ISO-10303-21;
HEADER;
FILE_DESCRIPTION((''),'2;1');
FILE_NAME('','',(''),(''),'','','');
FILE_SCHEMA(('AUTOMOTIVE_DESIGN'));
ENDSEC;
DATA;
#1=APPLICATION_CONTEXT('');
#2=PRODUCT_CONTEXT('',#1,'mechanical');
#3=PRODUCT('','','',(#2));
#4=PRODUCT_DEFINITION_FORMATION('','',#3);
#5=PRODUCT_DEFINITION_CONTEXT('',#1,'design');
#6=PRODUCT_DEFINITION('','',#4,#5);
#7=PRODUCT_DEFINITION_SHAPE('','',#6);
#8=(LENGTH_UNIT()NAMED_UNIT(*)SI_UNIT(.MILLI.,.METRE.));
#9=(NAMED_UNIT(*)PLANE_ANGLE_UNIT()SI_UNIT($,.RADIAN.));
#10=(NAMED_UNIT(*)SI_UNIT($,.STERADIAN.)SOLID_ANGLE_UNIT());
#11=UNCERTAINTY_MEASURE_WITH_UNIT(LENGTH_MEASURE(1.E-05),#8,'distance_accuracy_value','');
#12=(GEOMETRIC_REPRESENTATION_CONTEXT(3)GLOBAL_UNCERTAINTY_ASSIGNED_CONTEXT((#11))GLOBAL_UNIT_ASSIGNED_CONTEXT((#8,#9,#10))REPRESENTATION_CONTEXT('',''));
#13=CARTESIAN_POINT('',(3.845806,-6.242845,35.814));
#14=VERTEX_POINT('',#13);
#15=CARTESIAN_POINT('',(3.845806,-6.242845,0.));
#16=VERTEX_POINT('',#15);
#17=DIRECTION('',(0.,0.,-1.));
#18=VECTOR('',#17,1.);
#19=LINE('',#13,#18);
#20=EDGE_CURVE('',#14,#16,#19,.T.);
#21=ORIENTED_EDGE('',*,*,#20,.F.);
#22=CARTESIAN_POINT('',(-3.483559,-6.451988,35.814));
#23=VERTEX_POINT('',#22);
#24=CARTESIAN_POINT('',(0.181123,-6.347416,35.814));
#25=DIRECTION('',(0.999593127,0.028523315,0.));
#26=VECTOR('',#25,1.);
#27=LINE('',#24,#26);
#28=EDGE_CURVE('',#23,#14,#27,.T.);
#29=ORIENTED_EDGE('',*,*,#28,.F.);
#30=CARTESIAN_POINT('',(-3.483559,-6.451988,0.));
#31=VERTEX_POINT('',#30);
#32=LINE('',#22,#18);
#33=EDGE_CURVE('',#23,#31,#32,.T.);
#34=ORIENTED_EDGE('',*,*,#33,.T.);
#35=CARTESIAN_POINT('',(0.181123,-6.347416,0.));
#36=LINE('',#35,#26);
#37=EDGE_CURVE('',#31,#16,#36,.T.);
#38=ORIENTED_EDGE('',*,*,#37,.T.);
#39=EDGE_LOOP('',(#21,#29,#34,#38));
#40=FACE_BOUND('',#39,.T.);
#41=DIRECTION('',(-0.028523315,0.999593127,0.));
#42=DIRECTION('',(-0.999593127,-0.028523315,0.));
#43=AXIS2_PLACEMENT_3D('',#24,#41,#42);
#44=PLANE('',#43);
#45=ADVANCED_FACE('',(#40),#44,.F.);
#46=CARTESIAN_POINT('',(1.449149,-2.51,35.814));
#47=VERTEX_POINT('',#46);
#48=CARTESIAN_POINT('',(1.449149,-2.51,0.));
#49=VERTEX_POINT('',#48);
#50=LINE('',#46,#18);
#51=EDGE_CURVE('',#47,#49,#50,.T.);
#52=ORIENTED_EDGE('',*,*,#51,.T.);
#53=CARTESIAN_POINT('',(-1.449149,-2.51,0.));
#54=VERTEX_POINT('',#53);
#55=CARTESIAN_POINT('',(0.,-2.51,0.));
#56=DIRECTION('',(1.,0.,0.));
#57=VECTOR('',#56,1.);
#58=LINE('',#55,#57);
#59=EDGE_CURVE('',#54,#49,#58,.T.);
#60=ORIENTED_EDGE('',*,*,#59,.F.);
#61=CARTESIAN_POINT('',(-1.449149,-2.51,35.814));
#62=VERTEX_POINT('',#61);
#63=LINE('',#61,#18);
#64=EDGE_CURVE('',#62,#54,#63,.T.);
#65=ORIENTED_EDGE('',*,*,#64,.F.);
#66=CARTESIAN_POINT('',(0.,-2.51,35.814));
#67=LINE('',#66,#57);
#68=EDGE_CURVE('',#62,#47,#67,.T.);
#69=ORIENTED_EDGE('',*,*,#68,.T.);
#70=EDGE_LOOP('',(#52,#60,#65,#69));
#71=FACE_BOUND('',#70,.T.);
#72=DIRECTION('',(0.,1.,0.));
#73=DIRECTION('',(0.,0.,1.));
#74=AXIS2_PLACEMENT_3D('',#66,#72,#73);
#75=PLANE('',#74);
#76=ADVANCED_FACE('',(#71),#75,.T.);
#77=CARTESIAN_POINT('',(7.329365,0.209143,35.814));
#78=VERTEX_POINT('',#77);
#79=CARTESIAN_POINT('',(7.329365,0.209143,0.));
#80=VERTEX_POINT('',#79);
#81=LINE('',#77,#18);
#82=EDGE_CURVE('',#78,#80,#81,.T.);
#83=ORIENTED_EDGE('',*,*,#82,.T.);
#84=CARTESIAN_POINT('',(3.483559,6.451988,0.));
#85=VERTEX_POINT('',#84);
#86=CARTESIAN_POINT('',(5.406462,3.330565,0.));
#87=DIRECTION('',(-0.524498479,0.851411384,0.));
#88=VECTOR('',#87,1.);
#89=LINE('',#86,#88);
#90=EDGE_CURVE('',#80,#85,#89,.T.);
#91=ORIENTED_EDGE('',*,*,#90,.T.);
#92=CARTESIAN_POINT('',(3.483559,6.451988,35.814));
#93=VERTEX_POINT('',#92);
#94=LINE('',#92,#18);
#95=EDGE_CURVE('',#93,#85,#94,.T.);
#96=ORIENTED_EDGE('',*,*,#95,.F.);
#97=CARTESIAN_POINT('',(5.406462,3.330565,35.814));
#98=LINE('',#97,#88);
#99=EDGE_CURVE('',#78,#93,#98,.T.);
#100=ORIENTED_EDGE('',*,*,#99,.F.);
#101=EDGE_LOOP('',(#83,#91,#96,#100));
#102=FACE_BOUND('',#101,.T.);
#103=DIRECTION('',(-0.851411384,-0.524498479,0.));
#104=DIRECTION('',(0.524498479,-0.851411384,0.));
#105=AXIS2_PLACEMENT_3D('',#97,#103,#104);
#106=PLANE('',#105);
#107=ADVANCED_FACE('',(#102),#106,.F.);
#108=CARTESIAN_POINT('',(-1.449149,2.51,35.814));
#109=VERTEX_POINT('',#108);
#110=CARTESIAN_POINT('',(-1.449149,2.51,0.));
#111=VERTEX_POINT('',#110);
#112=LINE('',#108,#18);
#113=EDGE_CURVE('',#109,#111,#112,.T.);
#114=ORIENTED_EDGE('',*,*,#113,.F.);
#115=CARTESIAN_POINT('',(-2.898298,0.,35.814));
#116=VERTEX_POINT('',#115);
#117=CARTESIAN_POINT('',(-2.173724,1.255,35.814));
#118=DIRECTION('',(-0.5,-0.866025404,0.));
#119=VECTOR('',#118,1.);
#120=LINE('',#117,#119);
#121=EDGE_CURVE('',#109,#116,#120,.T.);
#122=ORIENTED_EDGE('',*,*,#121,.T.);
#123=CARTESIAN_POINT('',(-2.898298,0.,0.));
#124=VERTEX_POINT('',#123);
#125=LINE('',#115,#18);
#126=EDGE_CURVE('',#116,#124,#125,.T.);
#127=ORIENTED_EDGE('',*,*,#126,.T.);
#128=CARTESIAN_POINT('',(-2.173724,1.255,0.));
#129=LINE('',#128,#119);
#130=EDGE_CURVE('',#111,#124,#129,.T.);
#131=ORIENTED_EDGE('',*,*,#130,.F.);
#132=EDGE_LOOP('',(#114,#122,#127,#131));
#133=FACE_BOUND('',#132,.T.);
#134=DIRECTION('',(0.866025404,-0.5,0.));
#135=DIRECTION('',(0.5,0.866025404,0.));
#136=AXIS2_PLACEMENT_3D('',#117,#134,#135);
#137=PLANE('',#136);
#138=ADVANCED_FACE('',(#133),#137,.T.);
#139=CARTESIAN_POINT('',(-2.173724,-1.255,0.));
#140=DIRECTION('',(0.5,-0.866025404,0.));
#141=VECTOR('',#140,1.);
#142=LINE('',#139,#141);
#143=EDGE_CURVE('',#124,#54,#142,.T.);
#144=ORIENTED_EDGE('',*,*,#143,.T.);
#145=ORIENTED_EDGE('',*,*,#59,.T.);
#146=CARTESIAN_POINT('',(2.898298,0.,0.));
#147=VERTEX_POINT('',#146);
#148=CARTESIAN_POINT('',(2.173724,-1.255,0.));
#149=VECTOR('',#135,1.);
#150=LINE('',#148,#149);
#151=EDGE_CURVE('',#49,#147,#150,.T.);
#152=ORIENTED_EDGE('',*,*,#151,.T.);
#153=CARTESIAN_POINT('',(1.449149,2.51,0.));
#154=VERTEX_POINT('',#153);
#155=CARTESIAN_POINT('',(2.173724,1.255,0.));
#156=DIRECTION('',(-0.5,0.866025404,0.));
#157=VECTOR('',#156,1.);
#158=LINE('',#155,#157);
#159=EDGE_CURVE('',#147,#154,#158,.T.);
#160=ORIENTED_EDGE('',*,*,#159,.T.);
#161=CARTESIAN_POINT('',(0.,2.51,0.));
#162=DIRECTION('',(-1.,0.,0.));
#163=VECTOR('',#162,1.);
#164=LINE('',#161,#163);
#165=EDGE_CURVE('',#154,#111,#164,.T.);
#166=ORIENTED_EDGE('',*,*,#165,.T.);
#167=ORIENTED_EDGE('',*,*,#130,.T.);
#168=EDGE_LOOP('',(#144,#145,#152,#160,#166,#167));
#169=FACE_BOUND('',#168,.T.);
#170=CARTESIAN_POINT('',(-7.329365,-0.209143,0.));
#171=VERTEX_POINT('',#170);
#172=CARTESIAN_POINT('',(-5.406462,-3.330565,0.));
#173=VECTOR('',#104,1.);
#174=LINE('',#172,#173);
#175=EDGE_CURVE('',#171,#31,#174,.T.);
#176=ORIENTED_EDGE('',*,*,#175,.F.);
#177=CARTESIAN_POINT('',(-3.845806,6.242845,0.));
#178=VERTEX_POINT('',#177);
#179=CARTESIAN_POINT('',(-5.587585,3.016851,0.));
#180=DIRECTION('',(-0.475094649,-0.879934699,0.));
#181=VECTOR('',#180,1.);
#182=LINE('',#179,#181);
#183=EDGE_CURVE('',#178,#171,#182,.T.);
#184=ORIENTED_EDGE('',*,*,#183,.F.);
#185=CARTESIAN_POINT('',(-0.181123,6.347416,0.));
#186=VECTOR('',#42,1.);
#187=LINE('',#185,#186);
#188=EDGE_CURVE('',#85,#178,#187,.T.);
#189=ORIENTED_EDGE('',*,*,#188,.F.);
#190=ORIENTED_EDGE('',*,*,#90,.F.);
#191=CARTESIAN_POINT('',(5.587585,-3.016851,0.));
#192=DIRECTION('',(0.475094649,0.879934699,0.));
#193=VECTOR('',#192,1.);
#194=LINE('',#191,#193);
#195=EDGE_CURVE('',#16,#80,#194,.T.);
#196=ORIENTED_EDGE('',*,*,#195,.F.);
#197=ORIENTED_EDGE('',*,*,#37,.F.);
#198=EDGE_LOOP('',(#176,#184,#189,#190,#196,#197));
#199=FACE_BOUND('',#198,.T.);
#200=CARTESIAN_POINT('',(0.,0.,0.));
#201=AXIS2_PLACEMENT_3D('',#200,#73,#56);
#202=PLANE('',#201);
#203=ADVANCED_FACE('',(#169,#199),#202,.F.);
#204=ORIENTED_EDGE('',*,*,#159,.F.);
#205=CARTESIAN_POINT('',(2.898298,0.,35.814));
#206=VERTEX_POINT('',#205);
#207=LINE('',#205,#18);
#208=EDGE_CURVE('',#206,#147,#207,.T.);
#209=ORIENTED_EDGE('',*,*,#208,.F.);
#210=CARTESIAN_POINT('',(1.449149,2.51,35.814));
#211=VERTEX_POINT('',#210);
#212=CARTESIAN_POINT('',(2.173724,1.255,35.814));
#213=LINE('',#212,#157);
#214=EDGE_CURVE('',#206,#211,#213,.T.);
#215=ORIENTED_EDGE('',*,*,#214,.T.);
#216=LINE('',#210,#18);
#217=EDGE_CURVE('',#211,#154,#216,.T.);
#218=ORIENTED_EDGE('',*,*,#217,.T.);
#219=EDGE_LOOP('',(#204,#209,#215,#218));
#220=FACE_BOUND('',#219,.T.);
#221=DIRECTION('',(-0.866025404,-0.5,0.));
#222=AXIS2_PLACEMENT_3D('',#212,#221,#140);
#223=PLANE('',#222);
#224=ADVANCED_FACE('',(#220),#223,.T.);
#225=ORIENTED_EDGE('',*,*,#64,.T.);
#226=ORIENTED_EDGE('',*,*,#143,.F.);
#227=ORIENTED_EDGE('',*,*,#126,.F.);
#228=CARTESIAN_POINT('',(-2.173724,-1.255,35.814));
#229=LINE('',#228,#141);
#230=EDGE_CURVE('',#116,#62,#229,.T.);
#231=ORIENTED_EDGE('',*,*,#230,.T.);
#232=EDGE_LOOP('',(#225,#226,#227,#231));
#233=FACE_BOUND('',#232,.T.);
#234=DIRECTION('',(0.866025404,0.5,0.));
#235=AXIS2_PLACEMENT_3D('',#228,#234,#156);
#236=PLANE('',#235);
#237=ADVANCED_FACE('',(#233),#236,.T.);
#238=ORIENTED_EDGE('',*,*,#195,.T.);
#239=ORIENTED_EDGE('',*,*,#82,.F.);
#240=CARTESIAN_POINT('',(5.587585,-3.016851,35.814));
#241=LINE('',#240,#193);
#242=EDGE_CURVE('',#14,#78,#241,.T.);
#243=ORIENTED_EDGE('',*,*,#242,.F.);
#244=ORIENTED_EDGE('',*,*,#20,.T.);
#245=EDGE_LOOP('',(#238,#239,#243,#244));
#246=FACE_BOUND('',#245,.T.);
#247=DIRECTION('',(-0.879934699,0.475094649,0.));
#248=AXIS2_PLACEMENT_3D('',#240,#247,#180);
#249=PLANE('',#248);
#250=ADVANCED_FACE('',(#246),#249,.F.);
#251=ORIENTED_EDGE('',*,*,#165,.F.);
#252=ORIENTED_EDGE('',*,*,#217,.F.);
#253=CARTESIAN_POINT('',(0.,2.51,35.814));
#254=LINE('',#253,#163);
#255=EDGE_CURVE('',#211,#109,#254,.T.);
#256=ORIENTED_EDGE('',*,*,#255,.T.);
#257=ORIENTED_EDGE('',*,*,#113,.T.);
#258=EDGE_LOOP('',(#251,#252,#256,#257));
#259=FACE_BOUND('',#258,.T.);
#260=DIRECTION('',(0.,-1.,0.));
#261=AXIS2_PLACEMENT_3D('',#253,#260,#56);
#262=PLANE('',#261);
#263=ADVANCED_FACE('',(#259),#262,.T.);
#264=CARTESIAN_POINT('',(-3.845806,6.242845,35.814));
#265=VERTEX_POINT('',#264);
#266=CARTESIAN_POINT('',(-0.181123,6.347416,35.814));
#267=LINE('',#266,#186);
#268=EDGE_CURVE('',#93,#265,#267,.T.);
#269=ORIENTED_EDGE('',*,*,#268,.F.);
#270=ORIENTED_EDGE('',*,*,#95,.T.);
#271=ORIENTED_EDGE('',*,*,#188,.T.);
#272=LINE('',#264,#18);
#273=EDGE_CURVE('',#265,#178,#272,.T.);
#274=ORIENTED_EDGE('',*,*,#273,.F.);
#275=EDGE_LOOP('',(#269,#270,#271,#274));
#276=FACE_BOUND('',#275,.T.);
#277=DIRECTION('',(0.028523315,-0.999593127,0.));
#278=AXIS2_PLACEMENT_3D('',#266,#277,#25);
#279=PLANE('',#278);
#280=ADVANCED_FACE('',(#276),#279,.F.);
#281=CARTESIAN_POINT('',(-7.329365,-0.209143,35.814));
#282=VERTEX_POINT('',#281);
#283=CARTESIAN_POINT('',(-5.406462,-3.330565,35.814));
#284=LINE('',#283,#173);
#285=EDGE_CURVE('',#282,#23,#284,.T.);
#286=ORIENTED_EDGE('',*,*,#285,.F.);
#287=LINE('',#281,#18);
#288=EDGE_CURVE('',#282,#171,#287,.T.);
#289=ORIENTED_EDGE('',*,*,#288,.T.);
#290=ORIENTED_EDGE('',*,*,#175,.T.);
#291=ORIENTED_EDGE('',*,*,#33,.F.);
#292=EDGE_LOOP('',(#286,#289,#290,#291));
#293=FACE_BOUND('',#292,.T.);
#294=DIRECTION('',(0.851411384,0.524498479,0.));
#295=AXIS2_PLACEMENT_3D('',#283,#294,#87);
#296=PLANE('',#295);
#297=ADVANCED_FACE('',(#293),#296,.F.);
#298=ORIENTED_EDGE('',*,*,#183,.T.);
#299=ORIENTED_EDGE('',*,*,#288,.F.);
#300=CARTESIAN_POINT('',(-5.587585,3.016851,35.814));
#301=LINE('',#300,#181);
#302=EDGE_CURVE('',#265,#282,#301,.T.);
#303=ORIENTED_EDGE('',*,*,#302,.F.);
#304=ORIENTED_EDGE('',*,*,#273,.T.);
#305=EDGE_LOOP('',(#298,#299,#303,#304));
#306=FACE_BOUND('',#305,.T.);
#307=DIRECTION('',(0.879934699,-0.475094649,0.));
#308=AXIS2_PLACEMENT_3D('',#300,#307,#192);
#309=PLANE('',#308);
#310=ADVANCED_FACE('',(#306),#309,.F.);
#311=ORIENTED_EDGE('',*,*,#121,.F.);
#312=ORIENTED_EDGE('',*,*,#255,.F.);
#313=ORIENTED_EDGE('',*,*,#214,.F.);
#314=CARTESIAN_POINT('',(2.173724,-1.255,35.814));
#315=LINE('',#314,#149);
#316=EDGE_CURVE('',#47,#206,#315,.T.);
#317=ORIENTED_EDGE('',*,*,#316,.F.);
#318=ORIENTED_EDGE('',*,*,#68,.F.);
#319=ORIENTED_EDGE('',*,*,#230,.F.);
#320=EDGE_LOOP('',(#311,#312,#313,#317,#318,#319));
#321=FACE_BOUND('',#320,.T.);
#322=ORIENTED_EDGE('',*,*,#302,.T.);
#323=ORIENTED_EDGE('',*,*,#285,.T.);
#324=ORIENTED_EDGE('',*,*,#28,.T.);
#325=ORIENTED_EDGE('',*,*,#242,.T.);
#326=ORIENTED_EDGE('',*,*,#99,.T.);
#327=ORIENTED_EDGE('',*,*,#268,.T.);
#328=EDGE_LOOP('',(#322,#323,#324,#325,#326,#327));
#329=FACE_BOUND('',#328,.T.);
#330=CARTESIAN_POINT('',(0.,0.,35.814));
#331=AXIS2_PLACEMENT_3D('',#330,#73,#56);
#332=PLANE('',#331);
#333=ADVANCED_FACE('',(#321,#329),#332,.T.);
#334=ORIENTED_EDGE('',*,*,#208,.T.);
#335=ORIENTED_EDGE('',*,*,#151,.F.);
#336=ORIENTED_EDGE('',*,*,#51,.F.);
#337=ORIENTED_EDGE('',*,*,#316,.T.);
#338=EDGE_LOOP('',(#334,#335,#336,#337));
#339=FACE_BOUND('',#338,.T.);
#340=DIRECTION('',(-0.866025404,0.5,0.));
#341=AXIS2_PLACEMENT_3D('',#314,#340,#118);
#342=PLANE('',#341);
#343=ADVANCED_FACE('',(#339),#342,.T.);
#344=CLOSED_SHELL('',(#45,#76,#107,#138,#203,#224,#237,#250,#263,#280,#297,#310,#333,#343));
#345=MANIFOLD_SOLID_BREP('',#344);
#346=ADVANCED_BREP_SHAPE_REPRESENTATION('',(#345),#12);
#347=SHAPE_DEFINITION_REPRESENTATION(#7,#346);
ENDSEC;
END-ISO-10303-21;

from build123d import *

# Parameters (mm, degrees)
BOSS_EXTRUDE2_DEPTH = 35.814


with BuildPart() as part:
    # Sketch4 → Boss-Extrude2 (new body)
    # profile 1 of 2: a face of its own
    with BuildSketch(Plane.XY):
        Polygon((-3.483559495, -6.4519878), (3.845805592, -6.242844919), (7.329365088, 0.209142882), (3.483559495, 6.4519878), (-3.845805592, 6.242844919), (-7.329365088, -0.209142882), align=None)
        Polygon((2.306514325, -3.995), (4.613028651, 0), (2.306514325, 3.995), (-2.306514325, 3.995), (-4.613028651, 0), (-2.306514325, -3.995), align=None, mode=Mode.SUBTRACT)
    # profile 2 of 2: a face of its own
    with BuildSketch(Plane.XY):
        Polygon((-2.306514325, -3.995), (2.306514325, -3.995), (4.613028651, 0), (2.306514325, 3.995), (-2.306514325, 3.995), (-4.613028651, 0), align=None)
        Polygon((1.449149176, -2.51), (2.898298351, 0), (1.449149176, 2.51), (-1.449149176, 2.51), (-2.898298351, 0), (-1.449149176, -2.51), align=None, mode=Mode.SUBTRACT)
    extrude(amount=BOSS_EXTRUDE2_DEPTH)


solid = part.part
